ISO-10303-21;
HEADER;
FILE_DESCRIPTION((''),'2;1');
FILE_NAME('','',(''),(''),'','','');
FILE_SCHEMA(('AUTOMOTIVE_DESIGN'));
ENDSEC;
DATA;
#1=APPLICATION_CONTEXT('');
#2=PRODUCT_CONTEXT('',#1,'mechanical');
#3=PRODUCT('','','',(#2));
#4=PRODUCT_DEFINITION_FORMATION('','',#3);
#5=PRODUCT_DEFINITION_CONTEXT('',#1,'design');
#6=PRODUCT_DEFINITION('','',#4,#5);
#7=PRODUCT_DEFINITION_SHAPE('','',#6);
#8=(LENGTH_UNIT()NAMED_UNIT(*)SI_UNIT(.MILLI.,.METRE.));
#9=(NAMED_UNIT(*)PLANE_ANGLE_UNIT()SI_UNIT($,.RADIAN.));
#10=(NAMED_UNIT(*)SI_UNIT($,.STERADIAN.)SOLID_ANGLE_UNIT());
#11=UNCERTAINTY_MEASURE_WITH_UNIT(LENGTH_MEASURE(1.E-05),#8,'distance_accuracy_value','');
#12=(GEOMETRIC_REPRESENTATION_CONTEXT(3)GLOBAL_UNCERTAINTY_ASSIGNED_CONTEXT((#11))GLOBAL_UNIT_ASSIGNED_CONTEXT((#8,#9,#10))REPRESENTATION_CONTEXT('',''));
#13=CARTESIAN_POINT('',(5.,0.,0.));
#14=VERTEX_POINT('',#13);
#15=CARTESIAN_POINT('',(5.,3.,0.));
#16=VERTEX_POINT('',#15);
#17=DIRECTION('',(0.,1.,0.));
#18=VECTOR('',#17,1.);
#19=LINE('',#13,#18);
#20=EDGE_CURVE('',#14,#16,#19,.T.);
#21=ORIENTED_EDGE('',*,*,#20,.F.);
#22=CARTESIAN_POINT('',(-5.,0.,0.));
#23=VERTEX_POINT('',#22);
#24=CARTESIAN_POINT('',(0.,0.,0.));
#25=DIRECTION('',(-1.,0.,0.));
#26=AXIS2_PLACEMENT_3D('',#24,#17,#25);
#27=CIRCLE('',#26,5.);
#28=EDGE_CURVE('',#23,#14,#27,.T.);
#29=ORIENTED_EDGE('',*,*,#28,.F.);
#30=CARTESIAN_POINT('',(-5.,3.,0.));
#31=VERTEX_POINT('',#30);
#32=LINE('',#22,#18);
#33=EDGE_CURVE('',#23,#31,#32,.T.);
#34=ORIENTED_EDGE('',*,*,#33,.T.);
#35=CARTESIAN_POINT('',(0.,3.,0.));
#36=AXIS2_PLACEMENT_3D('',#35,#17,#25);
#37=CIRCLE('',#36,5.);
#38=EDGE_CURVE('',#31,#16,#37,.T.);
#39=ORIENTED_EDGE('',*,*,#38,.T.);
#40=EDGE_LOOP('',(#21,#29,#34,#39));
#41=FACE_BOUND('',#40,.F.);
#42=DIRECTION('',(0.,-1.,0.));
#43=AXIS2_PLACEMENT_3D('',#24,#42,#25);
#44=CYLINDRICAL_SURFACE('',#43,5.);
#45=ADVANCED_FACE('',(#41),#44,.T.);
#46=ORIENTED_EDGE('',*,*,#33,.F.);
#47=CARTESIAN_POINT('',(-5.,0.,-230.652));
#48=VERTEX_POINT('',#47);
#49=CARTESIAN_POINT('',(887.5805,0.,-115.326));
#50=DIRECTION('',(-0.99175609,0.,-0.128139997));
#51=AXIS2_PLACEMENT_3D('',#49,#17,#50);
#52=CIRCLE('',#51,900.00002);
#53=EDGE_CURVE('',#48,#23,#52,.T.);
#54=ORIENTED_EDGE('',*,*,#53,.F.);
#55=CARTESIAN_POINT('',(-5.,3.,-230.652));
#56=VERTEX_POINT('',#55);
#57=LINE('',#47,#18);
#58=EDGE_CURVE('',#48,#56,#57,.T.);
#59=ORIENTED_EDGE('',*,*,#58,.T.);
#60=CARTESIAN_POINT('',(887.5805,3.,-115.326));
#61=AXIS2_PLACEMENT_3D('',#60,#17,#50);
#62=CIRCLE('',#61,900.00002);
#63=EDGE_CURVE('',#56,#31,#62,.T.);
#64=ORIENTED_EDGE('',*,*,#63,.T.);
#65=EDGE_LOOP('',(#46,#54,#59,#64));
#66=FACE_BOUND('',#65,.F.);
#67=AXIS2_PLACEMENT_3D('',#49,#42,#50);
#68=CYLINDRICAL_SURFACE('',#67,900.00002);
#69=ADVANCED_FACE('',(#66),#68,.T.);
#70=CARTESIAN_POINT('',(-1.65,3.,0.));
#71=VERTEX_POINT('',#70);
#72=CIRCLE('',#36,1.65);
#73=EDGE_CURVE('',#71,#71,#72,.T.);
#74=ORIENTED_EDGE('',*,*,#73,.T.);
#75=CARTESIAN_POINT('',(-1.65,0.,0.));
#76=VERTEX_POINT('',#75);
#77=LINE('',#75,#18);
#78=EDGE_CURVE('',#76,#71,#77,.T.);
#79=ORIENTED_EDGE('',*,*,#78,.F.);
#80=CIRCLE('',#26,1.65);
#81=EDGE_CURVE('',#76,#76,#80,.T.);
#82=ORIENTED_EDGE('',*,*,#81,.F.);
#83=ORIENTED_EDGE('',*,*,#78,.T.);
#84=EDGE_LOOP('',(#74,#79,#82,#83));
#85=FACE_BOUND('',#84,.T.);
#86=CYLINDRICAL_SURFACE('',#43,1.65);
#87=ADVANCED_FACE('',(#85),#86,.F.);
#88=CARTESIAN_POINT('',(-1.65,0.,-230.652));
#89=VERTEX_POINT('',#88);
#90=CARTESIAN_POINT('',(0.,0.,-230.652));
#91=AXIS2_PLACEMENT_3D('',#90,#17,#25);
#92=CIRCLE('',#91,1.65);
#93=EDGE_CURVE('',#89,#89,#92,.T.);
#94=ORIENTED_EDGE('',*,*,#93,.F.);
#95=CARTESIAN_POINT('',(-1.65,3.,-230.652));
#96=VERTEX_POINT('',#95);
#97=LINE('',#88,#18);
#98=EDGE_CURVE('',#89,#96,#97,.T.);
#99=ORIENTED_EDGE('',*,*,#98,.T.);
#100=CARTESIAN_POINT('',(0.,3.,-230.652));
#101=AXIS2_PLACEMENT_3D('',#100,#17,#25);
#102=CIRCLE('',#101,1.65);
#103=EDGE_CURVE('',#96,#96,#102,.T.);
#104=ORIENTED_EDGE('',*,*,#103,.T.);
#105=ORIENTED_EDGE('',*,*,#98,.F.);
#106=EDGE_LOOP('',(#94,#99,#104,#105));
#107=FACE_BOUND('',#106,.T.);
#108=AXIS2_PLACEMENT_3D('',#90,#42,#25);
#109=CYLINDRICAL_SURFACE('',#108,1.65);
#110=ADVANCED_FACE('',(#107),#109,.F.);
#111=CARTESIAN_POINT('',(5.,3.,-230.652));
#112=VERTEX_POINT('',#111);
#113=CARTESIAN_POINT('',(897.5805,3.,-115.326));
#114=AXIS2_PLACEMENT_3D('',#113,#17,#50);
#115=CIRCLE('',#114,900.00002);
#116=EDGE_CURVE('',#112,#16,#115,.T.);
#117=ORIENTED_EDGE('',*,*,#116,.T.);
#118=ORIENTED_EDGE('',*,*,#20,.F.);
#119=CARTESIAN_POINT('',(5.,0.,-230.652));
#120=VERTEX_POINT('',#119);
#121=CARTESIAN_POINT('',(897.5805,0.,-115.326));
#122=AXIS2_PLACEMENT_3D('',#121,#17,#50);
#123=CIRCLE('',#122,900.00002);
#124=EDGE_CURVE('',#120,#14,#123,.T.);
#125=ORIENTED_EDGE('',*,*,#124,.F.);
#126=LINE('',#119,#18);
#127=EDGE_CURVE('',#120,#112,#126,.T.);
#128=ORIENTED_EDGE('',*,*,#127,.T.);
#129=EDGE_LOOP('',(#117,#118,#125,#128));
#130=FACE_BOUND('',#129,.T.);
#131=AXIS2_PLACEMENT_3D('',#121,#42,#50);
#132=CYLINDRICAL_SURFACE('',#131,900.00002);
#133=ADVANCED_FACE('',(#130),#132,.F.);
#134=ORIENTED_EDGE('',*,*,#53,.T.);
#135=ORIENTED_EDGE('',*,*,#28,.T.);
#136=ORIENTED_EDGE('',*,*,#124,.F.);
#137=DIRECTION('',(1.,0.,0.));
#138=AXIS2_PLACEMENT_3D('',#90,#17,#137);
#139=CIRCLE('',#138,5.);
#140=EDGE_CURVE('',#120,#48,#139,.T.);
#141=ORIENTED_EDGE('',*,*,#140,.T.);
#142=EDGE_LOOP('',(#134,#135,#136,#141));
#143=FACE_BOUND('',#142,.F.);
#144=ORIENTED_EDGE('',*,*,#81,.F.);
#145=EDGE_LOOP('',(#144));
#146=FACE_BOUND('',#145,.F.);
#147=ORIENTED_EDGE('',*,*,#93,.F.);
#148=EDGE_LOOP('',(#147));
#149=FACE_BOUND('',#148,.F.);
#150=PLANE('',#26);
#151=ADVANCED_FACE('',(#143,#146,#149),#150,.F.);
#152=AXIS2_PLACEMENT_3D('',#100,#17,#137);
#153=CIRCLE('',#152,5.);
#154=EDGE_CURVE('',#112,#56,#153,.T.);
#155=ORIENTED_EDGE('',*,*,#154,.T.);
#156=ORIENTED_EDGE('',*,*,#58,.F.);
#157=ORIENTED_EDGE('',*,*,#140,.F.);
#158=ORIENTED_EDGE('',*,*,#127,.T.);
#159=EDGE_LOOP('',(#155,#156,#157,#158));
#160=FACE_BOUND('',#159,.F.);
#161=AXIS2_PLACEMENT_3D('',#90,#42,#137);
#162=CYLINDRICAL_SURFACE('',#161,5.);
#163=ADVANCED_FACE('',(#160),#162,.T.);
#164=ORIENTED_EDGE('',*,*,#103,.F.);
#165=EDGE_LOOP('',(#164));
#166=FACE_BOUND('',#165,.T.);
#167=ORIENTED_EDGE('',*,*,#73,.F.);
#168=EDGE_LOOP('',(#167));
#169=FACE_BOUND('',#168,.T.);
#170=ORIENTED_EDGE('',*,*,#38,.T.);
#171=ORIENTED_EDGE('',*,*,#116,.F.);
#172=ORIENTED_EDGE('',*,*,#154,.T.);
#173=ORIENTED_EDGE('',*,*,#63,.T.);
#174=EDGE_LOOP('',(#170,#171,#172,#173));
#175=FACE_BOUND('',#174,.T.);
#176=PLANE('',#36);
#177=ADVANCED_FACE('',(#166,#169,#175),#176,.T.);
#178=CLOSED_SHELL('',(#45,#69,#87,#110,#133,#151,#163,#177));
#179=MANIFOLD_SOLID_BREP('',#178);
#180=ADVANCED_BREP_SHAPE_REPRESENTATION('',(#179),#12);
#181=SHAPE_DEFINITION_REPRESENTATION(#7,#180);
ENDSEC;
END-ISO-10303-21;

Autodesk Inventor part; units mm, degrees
ref_plane "YZ Plane" through (0, 0, 0) normal (1, 0, 0) x (0, 1, 0)
ref_plane "XZ Plane" through (0, 0, 0) normal (0, 1, 0) x (-1, 0, 0)
ref_plane "XY Plane" through (0, 0, 0) normal (0, 0, 1) x (1, 0, 0)
sketch "Sketch1" plane through (0, 0, 0) normal (0, 1, 0) x (-1, 0, 0)
  line L0 (0, 0) -> (0, -230.652) construction
  line L1 (5, 0) -> (5, -230.652)
  line L2 (-5, -230.652) -> (-5, 0)
  arc A0 (5, 0) -> (-5, 0) centre (0, 0) ccw
  arc A1 (-5, -230.652) -> (5, -230.652) centre (0, -230.652) ccw
  circle A2 centre (0, 0) radius 1.65
  circle A3 centre (0, -230.652) radius 1.65
  arc A4 (-5, -230.652) -> (-5, 0) centre (-897.5805, -115.326) ccw
  arc A5 (5, -230.652) -> (5, 0) centre (-887.5805, -115.326) ccw
  point P0 (0, -115.326)
  dimension "d0" = 3.3
  dimension "d1" = 3.3
  dimension "d2" = 10
  dimension "d3" = 230.652
  dimension "d14" = 900
  dimension "d15" = 900
extrude "Extrusion1" add sketch "Sketch1" along normal blind 3 contours A5 L1 | L1 A1 A4 A0
